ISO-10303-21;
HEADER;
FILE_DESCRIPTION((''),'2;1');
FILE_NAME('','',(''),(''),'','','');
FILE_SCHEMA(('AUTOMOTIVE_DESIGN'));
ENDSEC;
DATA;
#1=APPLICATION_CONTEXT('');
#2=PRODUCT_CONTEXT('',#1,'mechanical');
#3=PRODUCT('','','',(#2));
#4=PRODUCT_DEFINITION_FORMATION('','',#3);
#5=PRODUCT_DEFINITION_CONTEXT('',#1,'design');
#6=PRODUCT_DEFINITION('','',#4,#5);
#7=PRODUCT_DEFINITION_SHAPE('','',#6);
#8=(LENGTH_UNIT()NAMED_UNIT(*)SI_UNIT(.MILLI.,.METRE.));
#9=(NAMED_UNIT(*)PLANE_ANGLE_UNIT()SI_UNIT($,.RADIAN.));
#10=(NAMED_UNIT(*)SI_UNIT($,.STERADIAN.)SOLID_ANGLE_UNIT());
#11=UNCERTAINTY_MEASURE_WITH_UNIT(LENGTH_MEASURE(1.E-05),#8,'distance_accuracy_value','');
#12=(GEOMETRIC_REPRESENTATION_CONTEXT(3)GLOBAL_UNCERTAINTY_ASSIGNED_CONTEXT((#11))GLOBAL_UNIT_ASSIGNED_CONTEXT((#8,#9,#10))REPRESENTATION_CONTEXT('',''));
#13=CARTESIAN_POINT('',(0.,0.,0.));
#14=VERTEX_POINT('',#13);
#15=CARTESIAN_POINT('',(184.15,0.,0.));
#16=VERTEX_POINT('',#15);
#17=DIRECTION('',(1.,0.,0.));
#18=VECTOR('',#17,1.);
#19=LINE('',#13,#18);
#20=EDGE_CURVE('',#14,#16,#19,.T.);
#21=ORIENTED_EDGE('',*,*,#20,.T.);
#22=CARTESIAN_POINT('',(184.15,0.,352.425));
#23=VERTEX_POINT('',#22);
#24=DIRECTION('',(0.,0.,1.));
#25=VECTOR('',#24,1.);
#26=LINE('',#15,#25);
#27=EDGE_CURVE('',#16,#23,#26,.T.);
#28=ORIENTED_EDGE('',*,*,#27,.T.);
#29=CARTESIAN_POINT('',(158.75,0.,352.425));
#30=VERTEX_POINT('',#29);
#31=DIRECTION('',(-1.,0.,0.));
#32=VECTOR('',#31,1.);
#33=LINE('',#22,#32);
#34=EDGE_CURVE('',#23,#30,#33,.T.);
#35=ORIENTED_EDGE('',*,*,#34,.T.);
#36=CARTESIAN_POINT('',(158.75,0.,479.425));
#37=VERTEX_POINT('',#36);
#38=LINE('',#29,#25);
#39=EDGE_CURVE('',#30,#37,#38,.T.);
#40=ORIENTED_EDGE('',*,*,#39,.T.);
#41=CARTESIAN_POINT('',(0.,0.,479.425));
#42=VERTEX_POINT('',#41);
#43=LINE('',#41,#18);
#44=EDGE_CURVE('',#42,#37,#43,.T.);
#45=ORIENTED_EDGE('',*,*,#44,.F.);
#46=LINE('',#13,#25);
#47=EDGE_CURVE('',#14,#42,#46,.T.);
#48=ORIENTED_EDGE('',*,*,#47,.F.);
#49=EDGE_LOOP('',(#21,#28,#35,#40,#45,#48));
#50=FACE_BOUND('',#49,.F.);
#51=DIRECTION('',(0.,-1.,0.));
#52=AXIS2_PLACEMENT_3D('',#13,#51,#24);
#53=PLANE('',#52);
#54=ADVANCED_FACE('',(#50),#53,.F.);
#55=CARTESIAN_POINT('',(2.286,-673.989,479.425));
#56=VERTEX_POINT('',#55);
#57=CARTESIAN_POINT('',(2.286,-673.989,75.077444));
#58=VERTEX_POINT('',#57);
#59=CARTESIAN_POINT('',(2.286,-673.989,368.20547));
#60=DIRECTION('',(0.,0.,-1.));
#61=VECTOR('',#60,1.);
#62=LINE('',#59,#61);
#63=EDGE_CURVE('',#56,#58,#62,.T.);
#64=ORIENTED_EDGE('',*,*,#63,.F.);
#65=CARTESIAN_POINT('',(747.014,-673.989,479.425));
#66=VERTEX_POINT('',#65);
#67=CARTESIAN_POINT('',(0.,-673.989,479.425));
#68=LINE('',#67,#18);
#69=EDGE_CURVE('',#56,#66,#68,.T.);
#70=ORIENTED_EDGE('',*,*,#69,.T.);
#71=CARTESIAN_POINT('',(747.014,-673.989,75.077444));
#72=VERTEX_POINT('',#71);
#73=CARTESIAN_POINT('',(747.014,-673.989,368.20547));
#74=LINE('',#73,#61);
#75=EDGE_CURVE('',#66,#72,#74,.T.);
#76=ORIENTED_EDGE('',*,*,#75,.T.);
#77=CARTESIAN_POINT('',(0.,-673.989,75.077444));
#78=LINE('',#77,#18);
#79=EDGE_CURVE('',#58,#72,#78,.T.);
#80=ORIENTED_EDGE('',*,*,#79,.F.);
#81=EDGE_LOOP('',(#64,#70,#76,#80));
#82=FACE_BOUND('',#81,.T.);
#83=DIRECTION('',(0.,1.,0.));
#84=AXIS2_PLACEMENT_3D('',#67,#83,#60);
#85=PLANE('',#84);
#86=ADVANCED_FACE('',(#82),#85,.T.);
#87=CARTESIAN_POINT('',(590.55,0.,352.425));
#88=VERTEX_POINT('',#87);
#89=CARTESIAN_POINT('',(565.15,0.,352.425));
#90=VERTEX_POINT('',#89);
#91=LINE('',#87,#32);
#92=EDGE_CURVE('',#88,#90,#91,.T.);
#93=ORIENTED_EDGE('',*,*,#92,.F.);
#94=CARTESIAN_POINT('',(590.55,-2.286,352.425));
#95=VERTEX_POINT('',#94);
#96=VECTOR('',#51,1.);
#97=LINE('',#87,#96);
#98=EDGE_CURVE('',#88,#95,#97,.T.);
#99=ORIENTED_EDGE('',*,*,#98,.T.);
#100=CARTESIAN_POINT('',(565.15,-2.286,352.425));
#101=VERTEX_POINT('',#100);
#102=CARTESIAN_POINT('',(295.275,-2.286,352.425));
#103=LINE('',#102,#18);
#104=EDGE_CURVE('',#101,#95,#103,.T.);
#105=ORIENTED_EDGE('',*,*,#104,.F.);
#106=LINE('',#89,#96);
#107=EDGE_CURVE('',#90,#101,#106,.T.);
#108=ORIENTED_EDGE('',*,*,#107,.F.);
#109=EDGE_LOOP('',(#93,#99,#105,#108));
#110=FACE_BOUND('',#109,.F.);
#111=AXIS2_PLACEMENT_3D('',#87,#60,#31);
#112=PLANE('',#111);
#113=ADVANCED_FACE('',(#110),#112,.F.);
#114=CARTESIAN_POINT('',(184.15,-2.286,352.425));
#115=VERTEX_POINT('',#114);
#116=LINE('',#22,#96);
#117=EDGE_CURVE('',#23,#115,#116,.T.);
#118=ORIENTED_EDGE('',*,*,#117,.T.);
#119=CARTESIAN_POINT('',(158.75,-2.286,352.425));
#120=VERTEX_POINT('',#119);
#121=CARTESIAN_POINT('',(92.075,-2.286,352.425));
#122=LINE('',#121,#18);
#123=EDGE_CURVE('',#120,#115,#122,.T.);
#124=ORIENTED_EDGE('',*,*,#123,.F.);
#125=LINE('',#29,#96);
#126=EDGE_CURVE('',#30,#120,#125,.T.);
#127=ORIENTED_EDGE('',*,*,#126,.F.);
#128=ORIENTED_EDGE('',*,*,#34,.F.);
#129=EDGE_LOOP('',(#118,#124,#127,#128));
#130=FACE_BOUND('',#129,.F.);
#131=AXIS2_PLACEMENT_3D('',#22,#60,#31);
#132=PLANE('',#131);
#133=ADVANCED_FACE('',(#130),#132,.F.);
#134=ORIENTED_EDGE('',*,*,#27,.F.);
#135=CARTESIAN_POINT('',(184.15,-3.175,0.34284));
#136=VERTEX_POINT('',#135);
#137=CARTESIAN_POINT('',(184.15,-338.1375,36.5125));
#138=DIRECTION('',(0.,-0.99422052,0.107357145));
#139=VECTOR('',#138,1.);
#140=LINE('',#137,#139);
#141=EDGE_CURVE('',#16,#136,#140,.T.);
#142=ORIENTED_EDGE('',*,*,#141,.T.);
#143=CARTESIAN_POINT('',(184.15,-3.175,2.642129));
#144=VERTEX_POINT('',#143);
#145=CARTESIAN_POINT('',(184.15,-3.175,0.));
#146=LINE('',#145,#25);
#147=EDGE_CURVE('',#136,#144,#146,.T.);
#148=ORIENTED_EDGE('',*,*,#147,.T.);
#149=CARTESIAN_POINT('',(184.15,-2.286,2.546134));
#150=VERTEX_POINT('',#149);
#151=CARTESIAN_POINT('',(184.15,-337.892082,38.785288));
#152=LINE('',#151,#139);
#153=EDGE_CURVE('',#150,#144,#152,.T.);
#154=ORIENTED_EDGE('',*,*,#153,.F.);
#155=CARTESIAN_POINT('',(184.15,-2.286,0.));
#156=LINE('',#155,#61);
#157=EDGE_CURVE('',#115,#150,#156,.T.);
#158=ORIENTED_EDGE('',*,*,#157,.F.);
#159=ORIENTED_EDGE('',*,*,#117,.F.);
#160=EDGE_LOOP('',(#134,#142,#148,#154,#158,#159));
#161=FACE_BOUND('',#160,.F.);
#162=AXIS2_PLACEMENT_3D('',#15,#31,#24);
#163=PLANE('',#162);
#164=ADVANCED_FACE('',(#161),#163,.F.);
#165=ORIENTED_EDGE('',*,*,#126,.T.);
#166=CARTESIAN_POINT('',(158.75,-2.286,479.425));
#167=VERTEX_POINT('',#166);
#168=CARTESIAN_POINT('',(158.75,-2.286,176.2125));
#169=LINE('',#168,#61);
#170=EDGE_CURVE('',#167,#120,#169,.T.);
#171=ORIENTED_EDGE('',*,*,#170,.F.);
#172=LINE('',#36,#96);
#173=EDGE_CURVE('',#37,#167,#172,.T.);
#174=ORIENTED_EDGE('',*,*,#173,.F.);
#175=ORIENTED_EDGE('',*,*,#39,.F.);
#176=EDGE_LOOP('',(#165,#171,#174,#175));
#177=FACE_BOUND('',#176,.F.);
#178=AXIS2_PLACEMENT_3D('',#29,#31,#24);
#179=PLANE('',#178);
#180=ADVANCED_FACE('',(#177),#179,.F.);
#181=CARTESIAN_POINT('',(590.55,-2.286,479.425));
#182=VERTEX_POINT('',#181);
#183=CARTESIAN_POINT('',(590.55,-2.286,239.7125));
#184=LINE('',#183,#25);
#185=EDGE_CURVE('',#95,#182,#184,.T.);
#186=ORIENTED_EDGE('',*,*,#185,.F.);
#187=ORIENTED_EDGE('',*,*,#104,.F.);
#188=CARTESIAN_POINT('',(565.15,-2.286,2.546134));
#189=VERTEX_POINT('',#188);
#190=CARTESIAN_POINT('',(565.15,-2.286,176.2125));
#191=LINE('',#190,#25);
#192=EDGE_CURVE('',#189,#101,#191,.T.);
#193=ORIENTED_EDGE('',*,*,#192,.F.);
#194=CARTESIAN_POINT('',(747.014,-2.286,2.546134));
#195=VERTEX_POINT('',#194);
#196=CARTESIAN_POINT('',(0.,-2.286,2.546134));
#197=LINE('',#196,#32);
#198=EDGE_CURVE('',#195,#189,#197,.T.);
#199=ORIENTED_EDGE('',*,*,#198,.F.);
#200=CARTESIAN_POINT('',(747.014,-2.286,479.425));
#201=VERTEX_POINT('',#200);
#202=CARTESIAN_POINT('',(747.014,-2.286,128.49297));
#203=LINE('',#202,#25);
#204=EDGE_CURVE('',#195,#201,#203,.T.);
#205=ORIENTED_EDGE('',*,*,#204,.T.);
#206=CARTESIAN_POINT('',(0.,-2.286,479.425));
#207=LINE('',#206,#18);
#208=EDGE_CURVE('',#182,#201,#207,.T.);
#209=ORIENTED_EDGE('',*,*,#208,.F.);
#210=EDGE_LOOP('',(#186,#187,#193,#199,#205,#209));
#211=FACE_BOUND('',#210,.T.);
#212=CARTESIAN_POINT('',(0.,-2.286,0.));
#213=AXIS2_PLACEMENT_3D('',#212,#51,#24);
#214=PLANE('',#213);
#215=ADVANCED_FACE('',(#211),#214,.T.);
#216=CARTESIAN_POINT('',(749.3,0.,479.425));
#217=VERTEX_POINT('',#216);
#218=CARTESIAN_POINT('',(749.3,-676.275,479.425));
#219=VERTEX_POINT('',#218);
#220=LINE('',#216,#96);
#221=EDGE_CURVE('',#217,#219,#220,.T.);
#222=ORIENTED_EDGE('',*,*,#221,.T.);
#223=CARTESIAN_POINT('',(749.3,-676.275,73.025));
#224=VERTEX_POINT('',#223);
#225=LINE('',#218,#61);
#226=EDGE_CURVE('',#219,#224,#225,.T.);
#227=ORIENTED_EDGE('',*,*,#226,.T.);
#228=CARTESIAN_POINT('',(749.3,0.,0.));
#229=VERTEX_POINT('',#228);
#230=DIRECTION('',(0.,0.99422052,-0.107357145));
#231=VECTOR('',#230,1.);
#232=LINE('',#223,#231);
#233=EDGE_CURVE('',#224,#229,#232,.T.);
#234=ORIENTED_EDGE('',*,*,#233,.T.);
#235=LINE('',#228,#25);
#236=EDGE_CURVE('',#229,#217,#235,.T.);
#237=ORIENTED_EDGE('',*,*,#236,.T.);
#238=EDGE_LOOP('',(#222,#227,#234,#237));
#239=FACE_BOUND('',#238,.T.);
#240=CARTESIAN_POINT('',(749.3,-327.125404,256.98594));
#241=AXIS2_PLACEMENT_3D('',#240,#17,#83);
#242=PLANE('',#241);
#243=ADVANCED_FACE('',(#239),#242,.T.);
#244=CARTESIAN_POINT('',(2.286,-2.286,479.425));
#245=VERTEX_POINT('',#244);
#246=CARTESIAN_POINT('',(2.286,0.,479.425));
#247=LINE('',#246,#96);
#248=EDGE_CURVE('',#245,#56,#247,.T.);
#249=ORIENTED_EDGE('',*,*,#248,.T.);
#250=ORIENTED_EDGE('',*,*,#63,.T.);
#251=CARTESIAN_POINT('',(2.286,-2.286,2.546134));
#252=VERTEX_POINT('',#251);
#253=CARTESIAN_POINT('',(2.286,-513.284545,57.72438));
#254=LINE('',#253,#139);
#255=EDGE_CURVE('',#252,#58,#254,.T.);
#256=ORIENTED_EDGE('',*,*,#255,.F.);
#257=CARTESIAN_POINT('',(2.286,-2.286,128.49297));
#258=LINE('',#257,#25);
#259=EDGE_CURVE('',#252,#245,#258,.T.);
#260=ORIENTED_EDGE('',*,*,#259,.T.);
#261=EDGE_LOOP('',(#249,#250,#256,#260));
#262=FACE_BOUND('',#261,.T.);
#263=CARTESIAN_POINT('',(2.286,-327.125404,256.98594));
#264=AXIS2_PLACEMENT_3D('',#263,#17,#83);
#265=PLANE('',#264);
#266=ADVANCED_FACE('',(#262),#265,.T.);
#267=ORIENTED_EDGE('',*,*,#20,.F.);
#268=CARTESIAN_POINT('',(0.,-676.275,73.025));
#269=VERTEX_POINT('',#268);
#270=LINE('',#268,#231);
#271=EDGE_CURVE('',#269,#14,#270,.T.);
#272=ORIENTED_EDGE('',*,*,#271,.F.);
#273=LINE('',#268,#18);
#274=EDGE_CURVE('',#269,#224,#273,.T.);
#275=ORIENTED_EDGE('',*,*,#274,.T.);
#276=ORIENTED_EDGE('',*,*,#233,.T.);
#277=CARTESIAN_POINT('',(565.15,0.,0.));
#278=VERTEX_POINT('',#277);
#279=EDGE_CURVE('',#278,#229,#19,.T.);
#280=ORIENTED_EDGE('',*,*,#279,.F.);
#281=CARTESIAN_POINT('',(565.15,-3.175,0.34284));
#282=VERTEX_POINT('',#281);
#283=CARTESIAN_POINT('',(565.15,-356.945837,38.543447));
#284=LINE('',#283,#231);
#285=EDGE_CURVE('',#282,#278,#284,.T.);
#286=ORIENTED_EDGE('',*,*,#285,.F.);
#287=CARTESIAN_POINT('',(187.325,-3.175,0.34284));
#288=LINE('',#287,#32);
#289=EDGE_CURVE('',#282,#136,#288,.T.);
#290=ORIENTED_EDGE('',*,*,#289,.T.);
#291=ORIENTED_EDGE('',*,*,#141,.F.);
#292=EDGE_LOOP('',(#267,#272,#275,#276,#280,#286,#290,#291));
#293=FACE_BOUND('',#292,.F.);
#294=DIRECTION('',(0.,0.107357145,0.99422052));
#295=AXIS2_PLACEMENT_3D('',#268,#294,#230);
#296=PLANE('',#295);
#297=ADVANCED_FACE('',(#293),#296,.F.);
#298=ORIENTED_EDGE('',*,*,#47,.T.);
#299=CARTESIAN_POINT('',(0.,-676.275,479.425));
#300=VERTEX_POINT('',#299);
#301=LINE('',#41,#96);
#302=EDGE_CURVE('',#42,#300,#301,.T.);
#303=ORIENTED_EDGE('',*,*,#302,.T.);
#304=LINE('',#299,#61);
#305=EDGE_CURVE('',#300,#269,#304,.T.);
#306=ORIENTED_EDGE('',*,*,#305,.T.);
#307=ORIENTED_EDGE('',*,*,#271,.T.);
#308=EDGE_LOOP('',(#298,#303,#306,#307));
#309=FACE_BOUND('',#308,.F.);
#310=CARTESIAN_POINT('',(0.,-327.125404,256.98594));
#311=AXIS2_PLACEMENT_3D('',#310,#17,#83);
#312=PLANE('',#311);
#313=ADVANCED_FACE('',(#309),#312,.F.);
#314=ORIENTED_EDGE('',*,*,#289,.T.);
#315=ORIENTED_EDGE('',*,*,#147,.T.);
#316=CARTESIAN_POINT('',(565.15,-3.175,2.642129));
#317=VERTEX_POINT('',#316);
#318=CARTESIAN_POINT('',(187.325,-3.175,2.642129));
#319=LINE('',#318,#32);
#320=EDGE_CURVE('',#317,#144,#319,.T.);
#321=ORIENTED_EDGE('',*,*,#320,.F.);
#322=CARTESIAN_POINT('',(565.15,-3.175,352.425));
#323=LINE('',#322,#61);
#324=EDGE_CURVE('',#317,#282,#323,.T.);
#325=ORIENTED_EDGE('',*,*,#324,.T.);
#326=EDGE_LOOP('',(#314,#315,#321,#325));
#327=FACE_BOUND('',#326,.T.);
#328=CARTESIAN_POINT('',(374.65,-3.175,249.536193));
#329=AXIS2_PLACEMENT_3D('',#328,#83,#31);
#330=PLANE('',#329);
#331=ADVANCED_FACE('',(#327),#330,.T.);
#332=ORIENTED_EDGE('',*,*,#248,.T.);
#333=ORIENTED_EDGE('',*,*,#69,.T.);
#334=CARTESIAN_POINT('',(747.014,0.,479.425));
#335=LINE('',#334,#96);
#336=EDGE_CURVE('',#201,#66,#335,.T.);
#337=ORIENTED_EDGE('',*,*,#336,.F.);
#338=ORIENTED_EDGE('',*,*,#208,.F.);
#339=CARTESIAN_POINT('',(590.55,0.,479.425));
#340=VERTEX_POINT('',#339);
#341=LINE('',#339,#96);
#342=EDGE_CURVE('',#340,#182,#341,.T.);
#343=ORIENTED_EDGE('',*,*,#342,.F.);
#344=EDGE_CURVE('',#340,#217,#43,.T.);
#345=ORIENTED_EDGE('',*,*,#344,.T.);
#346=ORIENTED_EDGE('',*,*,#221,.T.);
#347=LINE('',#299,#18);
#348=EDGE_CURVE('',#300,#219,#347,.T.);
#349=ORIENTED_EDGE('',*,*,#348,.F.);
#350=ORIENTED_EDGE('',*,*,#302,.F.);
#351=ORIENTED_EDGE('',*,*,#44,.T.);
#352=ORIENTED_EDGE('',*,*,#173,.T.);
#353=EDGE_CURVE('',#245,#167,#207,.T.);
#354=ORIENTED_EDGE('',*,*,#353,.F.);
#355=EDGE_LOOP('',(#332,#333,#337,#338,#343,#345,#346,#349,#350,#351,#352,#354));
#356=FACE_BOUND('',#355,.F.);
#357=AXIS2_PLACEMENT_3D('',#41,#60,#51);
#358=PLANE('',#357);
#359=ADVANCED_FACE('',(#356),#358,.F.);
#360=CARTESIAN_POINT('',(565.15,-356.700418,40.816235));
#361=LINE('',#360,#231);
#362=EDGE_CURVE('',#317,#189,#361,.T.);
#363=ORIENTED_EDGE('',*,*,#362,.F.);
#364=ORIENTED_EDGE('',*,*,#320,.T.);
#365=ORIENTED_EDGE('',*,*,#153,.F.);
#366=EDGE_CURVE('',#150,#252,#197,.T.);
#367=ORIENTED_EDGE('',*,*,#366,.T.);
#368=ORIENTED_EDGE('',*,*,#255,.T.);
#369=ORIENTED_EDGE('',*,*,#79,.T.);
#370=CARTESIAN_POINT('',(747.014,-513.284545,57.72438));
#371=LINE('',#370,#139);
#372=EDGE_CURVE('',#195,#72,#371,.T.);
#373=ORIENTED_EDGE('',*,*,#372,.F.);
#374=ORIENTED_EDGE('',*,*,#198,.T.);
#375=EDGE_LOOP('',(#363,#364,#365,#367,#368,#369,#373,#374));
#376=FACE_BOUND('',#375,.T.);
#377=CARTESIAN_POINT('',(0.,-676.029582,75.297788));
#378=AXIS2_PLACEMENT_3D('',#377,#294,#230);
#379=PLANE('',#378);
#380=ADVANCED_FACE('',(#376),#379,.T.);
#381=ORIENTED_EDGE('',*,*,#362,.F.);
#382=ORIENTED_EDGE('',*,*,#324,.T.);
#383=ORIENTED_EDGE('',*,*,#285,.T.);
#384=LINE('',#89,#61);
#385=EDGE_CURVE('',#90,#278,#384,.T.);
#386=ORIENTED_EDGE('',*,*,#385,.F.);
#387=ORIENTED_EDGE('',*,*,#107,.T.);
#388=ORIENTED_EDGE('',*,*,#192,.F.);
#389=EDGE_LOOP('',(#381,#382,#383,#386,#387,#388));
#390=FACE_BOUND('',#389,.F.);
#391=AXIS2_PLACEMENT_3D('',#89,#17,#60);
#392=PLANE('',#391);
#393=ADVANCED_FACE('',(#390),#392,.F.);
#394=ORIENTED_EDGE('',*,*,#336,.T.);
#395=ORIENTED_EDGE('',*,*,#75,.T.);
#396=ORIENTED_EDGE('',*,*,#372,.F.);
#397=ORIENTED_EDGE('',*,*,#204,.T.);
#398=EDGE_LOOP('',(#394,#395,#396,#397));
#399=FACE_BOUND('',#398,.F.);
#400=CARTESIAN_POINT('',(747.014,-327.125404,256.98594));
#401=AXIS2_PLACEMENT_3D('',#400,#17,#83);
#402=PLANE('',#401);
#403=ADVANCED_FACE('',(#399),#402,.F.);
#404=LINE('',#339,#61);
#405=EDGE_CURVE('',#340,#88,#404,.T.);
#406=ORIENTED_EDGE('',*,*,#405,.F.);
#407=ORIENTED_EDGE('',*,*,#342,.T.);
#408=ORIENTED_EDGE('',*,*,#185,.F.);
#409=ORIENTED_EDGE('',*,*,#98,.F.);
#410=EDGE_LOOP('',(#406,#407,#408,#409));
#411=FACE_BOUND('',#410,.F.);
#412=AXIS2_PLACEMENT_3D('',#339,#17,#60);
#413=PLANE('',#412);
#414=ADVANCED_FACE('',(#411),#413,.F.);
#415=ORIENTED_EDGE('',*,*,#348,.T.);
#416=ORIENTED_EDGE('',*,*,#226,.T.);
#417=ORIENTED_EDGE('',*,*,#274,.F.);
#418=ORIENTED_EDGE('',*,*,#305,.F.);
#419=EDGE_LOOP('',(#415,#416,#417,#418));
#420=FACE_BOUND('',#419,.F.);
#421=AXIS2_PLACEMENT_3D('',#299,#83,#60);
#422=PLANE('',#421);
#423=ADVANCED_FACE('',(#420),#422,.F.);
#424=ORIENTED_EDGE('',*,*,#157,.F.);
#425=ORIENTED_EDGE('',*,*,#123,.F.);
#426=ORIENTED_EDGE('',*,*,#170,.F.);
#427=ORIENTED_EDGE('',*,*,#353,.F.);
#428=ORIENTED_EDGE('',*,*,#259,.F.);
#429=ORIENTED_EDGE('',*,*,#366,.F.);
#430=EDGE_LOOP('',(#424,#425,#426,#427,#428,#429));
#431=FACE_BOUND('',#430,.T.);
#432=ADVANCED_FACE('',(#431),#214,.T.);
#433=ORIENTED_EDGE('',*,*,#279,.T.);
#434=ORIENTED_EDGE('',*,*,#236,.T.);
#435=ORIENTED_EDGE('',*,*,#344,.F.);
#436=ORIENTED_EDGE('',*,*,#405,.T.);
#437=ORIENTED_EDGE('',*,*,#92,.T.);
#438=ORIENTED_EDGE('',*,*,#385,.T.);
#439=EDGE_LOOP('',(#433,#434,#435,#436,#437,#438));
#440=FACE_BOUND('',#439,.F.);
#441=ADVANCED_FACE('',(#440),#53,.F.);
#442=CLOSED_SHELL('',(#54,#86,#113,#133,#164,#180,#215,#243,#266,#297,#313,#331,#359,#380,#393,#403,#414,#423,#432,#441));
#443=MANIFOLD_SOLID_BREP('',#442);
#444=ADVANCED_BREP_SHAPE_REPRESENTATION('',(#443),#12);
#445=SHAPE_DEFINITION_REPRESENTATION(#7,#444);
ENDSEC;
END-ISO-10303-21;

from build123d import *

# Parameters (mm, degrees)
F1_DEPTH = 749.3
F2_T     = -2.286
F4_DEPTH = 3.175


with BuildPart() as f1:
    # F0 (on Right) → F1 (new body)
    with BuildSketch(Plane.YZ):
        Polygon((-676.275, 73.025), (0, 0), (0, 479.425), (-676.275, 479.425), align=None)
    extrude(amount=F1_DEPTH)

    # F2
    f2_openings = [f1.faces().sort_by_distance(p)[0] for p in [
        (374.65, -338.1375, 479.425),
    ]]
    offset(amount=F2_T, openings=f2_openings)

    # F3 (on face) → F4 (cut)
    with BuildSketch(Plane(origin=(0, 0, 0), x_dir=(-1, 0, 0), z_dir=(0, 1, 0))):
        Polygon((-158.75, 479.425), (-590.55, 479.425), (-590.55, 352.425), (-565.15, 352.425), (-565.15, 0), (-184.15, 0), (-184.15, 352.425), (-158.75, 352.425), align=None)
    extrude(amount=-F4_DEPTH, mode=Mode.SUBTRACT)


solid = f1.part
